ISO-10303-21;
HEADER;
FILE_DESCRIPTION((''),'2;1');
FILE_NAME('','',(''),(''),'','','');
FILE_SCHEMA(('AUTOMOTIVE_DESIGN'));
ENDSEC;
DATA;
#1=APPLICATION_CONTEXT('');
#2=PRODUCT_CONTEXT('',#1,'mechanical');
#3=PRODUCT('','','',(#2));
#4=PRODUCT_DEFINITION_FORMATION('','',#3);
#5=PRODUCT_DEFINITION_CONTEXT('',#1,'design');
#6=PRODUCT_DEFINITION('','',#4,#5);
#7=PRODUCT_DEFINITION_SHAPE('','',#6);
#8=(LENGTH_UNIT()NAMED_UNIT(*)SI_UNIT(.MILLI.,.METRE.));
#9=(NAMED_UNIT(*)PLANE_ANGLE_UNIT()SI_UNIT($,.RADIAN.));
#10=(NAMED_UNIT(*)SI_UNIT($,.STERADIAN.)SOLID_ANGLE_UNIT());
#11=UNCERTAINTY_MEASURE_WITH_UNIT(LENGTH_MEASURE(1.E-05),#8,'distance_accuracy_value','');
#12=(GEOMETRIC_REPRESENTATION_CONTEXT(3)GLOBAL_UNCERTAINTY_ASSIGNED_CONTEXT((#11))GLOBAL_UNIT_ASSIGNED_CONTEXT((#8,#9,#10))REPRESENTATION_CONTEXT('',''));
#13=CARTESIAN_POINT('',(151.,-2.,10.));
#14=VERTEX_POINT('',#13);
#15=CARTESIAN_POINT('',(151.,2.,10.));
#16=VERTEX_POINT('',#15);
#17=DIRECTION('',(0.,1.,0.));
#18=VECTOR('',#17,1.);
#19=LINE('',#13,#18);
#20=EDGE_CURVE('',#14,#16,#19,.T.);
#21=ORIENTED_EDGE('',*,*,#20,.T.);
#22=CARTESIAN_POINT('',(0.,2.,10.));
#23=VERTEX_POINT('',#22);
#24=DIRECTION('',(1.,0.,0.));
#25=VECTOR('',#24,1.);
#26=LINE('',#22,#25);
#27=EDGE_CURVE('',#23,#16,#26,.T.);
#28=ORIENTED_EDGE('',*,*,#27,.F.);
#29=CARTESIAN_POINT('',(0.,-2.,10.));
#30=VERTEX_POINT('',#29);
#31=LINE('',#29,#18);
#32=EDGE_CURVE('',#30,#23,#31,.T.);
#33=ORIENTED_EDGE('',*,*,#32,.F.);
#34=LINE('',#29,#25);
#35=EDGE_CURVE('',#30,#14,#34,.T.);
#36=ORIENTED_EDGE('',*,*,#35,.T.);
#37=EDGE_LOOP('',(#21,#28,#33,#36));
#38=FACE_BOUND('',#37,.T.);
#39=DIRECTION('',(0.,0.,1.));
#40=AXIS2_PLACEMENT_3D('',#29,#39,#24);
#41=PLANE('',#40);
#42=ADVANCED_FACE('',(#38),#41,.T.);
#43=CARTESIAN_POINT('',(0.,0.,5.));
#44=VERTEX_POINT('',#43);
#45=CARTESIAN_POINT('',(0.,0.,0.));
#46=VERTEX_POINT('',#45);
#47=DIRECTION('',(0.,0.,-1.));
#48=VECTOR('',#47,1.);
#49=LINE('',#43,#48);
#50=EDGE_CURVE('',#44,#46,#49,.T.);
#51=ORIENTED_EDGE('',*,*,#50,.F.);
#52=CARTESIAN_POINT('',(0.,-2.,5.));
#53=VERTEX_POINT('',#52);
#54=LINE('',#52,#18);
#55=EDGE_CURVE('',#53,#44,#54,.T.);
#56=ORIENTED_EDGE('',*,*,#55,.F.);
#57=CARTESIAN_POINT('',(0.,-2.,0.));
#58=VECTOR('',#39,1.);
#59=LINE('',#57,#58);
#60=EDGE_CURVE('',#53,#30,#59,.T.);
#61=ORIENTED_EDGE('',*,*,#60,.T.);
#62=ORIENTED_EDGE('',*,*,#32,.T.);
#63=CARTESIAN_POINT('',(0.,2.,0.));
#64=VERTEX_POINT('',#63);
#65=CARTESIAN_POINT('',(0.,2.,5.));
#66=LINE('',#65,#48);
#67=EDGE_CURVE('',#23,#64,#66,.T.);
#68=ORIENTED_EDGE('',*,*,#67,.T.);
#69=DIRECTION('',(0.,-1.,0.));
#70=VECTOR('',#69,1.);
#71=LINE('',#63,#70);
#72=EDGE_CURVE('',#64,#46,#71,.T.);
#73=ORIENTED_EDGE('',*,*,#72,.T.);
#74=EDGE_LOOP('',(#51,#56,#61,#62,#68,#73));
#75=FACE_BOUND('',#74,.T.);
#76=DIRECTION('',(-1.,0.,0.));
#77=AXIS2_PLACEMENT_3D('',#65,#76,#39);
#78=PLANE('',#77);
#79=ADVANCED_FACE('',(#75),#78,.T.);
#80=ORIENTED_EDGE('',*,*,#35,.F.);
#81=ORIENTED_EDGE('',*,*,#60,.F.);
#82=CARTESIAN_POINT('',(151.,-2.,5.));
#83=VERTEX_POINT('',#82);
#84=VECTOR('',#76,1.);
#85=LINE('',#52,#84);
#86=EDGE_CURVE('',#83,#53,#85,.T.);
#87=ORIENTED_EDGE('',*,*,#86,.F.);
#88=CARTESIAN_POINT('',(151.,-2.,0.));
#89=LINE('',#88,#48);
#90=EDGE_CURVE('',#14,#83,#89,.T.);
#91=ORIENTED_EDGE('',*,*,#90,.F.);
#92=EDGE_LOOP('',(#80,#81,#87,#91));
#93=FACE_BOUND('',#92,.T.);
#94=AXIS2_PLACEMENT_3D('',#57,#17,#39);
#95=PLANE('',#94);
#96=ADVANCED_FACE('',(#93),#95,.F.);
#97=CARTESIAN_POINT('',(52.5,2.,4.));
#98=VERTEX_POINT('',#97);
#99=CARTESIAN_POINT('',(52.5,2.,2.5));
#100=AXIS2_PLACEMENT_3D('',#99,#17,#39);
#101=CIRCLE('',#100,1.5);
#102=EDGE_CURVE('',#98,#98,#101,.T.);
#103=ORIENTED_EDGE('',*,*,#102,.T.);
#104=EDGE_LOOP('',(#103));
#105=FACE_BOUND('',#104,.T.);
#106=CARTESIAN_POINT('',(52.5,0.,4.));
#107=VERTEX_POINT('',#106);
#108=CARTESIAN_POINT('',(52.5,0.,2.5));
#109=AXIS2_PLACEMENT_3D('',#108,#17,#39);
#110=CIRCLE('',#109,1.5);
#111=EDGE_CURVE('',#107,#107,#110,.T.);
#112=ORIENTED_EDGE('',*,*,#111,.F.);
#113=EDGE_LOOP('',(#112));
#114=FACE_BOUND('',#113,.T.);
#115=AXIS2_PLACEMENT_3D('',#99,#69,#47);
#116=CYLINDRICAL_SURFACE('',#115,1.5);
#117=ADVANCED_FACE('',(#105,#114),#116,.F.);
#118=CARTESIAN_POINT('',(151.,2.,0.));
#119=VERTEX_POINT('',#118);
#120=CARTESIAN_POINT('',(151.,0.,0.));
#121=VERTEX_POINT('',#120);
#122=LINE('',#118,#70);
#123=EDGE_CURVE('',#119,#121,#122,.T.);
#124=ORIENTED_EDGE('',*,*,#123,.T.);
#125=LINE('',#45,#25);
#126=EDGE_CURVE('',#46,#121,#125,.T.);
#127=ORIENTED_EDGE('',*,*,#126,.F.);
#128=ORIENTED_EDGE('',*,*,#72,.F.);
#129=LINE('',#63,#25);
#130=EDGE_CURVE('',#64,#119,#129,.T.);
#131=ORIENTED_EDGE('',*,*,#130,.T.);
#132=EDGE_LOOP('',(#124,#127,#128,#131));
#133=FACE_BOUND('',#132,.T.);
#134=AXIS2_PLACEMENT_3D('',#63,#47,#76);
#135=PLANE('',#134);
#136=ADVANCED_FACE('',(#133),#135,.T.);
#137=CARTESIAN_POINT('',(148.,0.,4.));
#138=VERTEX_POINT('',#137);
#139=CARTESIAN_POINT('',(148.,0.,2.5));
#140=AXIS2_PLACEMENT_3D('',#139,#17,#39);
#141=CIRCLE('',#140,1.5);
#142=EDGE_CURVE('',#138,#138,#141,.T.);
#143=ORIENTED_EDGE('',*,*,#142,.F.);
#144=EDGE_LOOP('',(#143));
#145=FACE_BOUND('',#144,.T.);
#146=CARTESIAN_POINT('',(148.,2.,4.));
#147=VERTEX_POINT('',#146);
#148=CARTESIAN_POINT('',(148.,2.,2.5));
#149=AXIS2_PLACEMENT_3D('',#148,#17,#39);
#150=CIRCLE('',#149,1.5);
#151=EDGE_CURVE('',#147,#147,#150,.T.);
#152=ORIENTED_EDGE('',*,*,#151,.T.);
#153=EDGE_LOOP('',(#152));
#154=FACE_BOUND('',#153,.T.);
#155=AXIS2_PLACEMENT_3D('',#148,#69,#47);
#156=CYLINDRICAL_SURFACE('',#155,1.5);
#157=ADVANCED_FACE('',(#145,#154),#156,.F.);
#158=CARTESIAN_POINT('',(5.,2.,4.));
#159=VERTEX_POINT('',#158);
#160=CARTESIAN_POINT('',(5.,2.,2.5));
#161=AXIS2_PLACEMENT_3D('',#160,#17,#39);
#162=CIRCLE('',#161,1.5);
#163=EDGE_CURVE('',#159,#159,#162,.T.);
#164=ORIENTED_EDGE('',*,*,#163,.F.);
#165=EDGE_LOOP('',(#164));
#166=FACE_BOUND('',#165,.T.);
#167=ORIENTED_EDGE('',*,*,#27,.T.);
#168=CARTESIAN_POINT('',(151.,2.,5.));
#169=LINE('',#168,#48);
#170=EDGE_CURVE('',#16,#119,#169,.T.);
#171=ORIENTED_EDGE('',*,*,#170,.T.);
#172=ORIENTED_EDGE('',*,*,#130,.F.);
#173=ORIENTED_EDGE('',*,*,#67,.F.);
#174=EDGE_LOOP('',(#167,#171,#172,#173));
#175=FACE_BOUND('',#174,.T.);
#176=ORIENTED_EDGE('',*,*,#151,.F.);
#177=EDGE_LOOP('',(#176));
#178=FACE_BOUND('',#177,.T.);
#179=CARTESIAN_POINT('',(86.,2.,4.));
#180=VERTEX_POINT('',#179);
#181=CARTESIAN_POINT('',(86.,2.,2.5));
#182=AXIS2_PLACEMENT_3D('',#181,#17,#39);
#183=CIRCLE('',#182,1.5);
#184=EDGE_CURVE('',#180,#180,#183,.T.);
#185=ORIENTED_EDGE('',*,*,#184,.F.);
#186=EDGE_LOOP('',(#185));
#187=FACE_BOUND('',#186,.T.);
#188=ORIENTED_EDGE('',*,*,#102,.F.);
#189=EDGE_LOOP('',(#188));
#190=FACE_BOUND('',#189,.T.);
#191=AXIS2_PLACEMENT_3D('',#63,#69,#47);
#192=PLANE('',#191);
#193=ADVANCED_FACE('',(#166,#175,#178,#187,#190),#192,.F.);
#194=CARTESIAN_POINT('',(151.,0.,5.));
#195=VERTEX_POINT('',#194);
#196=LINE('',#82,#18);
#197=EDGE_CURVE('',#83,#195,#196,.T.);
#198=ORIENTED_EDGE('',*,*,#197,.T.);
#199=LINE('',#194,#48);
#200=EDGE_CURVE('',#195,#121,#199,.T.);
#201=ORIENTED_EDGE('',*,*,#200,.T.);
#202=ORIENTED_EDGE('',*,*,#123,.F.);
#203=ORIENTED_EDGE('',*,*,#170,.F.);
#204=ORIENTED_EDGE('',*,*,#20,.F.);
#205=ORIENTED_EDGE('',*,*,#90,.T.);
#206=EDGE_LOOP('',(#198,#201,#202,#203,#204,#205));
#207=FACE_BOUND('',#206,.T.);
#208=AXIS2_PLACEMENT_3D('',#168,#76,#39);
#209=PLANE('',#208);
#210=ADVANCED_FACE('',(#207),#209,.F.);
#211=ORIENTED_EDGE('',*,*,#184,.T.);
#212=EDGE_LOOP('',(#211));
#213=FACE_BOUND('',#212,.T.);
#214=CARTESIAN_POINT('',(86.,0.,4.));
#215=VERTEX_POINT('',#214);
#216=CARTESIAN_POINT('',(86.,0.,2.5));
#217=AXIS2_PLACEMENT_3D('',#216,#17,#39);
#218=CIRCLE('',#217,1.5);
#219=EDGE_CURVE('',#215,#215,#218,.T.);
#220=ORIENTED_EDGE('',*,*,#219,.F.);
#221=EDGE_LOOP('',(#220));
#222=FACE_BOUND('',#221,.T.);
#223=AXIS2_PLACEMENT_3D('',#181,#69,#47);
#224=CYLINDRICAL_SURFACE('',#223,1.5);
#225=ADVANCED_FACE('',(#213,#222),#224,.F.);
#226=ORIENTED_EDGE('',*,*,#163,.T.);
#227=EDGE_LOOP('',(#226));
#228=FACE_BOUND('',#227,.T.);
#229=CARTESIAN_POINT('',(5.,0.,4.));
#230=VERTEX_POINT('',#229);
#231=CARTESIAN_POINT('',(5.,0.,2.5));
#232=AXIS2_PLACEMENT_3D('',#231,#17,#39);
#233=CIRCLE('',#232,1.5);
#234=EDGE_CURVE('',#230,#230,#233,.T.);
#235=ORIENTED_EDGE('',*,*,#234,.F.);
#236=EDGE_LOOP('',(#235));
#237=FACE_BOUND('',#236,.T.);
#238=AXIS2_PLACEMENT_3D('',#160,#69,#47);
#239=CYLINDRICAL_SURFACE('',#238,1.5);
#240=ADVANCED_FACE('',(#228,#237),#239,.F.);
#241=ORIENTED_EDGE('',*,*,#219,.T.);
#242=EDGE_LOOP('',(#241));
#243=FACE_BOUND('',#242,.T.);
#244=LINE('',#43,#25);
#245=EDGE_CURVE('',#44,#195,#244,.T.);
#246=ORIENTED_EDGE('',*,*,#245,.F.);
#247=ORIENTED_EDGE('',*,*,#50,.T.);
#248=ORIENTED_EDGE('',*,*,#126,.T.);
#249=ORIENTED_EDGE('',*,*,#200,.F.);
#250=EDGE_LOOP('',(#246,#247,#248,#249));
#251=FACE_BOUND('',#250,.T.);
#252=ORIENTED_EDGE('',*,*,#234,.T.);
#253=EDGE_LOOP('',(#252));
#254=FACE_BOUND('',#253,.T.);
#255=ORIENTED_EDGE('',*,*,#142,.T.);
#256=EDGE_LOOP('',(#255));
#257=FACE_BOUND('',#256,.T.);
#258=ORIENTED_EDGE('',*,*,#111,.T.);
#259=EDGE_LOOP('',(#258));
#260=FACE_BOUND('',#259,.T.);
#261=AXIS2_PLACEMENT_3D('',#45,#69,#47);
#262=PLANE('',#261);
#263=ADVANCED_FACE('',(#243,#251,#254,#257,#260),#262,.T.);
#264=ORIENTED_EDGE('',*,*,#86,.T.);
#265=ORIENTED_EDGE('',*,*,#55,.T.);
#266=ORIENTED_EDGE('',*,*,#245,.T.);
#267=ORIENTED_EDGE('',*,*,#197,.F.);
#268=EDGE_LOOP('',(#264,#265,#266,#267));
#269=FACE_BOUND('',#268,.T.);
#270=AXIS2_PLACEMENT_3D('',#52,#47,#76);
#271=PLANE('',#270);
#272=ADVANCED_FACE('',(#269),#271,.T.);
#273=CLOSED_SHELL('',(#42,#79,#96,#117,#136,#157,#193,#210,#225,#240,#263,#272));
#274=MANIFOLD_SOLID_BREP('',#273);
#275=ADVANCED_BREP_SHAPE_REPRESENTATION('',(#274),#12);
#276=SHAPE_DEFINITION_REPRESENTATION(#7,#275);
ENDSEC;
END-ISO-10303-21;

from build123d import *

# Parameters (mm, degrees)
SKETCH_1_W      = 151
SKETCH_1_H      = 5
SKETCH_1_R      = 1.5
EXTRUDE_1_DEPTH = 2
EXTRUDE_START   = 2
SKETCH_2_W      = 151
SKETCH_2_H      = 5
EXTRUDE_2_DEPTH = 4


with BuildPart() as part:
    # 草图1 → 凸台-拉伸1 (new body)
    with BuildSketch(Plane(origin=(0, 0, 0), x_dir=(1, 0, 0), z_dir=(0, 1, 0))):
        with Locations((75.5, -2.5)):
            Rectangle(SKETCH_1_W, SKETCH_1_H)
        with Locations(Location((5, -2.5, 0), (0, 0, 270))):
            Circle(SKETCH_1_R, mode=Mode.SUBTRACT)
        with Locations(Location((52.5, -2.5, 0), (0, 0, 270))):
            Circle(SKETCH_1_R, mode=Mode.SUBTRACT)
        with Locations(Location((86, -2.5, 0), (0, 0, 270))):
            Circle(SKETCH_1_R, mode=Mode.SUBTRACT)
        with Locations(Location((148, -2.5, 0), (0, 0, 270))):
            Circle(SKETCH_1_R, mode=Mode.SUBTRACT)
    extrude(amount=EXTRUDE_1_DEPTH)

    # 草图2 → 凸台-拉伸2 (add)
    with BuildSketch(Plane(origin=(0, 0, 0), x_dir=(1, 0, 0), z_dir=(0, 1, 0)).offset(EXTRUDE_START)):
        with Locations((75.5, -7.5)):
            Rectangle(SKETCH_2_W, SKETCH_2_H)
    extrude(amount=-EXTRUDE_2_DEPTH)


solid = part.part
